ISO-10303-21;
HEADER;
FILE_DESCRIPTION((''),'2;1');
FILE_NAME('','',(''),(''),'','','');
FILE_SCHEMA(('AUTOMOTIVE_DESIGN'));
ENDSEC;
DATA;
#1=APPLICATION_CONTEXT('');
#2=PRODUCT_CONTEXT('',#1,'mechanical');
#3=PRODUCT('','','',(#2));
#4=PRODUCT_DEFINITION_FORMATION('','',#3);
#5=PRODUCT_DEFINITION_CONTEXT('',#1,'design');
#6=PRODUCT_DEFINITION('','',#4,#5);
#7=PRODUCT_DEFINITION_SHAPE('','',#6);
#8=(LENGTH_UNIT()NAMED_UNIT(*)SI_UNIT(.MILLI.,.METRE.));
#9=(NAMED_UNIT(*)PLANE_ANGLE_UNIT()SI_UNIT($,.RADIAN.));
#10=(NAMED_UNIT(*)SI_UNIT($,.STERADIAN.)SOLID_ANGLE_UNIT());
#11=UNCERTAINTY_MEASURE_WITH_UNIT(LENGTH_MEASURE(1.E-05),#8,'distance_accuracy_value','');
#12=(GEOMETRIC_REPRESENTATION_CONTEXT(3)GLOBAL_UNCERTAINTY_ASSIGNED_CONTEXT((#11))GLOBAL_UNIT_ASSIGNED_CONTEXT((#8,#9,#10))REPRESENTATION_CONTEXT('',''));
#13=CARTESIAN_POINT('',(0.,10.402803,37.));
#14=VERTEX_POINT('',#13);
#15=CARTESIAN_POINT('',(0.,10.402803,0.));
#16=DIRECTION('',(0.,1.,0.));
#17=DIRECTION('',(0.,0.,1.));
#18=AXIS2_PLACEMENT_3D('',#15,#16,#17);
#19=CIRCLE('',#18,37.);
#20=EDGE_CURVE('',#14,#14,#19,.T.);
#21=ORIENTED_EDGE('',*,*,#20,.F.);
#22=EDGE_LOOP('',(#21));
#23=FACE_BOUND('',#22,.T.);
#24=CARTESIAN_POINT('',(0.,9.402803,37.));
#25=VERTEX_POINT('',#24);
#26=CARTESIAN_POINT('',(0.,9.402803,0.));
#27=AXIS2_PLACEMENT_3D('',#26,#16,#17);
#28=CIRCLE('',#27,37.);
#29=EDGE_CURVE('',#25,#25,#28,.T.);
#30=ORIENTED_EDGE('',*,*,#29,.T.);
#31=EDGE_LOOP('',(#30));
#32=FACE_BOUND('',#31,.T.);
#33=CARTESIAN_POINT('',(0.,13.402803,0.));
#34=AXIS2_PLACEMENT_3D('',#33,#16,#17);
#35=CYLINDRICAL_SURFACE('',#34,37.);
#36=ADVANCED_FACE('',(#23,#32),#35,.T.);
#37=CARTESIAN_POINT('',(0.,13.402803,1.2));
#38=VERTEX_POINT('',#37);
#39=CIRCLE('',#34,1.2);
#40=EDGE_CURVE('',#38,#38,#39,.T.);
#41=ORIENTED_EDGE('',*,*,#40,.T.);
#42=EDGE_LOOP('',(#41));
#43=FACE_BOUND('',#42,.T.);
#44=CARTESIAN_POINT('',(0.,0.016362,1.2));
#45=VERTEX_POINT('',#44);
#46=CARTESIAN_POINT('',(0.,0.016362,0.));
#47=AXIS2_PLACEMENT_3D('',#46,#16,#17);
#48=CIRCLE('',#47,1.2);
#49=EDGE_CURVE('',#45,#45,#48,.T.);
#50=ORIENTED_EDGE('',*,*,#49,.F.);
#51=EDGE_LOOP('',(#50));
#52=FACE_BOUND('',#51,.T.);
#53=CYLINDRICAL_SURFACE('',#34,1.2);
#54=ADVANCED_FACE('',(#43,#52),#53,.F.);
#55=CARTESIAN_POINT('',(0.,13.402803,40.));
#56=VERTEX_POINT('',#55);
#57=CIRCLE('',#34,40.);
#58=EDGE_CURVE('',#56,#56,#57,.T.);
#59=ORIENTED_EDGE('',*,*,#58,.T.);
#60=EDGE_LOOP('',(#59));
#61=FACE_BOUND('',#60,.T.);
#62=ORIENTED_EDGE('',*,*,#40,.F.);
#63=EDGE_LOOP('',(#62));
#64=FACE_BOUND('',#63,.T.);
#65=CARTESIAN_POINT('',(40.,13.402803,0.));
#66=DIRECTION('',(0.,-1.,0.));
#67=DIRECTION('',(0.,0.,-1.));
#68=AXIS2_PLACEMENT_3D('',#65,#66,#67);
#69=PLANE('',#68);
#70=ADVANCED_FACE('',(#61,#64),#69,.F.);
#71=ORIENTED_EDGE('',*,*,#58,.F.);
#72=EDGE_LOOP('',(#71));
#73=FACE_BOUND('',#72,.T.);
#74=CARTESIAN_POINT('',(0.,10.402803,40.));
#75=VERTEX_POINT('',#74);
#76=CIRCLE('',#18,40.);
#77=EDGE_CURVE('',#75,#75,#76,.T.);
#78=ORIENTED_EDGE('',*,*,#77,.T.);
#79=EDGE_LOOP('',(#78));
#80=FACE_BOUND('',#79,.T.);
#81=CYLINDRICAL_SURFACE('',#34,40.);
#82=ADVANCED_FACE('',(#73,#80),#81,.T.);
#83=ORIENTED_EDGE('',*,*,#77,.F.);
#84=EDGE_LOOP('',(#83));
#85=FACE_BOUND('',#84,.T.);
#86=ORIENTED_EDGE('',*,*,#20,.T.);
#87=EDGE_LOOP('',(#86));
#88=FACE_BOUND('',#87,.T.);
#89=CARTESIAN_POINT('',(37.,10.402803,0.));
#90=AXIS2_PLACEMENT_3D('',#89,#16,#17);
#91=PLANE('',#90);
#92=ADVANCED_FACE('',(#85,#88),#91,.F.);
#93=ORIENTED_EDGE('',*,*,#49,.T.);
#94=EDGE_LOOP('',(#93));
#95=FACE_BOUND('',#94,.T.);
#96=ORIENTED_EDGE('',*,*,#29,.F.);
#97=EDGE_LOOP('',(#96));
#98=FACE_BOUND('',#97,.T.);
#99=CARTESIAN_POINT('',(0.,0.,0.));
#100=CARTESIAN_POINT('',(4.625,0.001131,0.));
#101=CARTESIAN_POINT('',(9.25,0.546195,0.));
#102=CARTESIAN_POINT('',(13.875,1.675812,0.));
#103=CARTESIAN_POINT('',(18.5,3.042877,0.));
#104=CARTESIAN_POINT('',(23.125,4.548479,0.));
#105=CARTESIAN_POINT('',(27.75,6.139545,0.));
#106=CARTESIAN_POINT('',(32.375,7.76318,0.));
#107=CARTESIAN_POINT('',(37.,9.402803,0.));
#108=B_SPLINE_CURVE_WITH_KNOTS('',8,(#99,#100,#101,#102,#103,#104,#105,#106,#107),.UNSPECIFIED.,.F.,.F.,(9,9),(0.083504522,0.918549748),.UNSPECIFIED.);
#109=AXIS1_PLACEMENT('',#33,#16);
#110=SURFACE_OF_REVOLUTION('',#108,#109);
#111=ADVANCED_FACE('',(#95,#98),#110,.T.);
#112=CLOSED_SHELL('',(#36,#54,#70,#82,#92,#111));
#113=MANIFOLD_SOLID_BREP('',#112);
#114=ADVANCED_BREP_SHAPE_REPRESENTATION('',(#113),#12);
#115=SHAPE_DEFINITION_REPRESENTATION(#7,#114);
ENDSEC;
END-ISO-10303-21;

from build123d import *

# Parameters (mm, degrees)
SKETCH5_R          = 1.2
CUT_EXTRUDE1_DEPTH = 59.134629447


with BuildPart() as part:
    # Sketch3 → Revolve4 (revolve)
    with BuildSketch(Plane.XY, mode=Mode.PRIVATE) as revolve4_sk:
        with BuildLine():
            Line((1.2, 13.402803373), (1.2, 8.402803373))
            Line((1.2, 8.402803373), (0, 8.402803373))
            Line((0, 8.402803373), (0, 0))
            add(Edge.make_bspline(
                [(0, 0), (4.625000009, 0.001130642), (9.250000014, 0.546194692), (13.875000014, 1.675812016), (18.500000013, 3.042876604), (23.12500001, 4.548478886), (27.750000007, 6.1395449), (32.375000004, 7.763179662), (37, 9.402803373)],
                knots=[0.083504522, 0.083504522, 0.083504522, 0.083504522, 0.083504522, 0.083504522, 0.083504522, 0.083504522, 0.083504522, 0.918549748, 0.918549748, 0.918549748, 0.918549748, 0.918549748, 0.918549748, 0.918549748, 0.918549748, 0.918549748], degree=8))
            Line((37, 9.402803373), (37, 10.402803373))
            Line((37, 10.402803373), (40, 10.402803373))
            Line((40, 10.402803373), (40, 13.402803373))
            Line((40, 13.402803373), (1.2, 13.402803373))
        make_face()
    revolve(revolve4_sk.sketch.rotate(Axis((0, 13.402803373, 0), (0, -1, 0)), 90), axis=Axis((0, 13.402803373, 0), (0, -1, 0)))

    # Sketch5 → Cut-Extrude1 (cut, through all)
    with BuildSketch(Plane(origin=(0, 13.402803373, 0), x_dir=(1, 0, 0), z_dir=(0, 1, 0))):
        with Locations(Location((0, 0, 0), (0, 0, 270))):
            Circle(SKETCH5_R)
    extrude(amount=-CUT_EXTRUDE1_DEPTH, mode=Mode.SUBTRACT)


solid = part.part
